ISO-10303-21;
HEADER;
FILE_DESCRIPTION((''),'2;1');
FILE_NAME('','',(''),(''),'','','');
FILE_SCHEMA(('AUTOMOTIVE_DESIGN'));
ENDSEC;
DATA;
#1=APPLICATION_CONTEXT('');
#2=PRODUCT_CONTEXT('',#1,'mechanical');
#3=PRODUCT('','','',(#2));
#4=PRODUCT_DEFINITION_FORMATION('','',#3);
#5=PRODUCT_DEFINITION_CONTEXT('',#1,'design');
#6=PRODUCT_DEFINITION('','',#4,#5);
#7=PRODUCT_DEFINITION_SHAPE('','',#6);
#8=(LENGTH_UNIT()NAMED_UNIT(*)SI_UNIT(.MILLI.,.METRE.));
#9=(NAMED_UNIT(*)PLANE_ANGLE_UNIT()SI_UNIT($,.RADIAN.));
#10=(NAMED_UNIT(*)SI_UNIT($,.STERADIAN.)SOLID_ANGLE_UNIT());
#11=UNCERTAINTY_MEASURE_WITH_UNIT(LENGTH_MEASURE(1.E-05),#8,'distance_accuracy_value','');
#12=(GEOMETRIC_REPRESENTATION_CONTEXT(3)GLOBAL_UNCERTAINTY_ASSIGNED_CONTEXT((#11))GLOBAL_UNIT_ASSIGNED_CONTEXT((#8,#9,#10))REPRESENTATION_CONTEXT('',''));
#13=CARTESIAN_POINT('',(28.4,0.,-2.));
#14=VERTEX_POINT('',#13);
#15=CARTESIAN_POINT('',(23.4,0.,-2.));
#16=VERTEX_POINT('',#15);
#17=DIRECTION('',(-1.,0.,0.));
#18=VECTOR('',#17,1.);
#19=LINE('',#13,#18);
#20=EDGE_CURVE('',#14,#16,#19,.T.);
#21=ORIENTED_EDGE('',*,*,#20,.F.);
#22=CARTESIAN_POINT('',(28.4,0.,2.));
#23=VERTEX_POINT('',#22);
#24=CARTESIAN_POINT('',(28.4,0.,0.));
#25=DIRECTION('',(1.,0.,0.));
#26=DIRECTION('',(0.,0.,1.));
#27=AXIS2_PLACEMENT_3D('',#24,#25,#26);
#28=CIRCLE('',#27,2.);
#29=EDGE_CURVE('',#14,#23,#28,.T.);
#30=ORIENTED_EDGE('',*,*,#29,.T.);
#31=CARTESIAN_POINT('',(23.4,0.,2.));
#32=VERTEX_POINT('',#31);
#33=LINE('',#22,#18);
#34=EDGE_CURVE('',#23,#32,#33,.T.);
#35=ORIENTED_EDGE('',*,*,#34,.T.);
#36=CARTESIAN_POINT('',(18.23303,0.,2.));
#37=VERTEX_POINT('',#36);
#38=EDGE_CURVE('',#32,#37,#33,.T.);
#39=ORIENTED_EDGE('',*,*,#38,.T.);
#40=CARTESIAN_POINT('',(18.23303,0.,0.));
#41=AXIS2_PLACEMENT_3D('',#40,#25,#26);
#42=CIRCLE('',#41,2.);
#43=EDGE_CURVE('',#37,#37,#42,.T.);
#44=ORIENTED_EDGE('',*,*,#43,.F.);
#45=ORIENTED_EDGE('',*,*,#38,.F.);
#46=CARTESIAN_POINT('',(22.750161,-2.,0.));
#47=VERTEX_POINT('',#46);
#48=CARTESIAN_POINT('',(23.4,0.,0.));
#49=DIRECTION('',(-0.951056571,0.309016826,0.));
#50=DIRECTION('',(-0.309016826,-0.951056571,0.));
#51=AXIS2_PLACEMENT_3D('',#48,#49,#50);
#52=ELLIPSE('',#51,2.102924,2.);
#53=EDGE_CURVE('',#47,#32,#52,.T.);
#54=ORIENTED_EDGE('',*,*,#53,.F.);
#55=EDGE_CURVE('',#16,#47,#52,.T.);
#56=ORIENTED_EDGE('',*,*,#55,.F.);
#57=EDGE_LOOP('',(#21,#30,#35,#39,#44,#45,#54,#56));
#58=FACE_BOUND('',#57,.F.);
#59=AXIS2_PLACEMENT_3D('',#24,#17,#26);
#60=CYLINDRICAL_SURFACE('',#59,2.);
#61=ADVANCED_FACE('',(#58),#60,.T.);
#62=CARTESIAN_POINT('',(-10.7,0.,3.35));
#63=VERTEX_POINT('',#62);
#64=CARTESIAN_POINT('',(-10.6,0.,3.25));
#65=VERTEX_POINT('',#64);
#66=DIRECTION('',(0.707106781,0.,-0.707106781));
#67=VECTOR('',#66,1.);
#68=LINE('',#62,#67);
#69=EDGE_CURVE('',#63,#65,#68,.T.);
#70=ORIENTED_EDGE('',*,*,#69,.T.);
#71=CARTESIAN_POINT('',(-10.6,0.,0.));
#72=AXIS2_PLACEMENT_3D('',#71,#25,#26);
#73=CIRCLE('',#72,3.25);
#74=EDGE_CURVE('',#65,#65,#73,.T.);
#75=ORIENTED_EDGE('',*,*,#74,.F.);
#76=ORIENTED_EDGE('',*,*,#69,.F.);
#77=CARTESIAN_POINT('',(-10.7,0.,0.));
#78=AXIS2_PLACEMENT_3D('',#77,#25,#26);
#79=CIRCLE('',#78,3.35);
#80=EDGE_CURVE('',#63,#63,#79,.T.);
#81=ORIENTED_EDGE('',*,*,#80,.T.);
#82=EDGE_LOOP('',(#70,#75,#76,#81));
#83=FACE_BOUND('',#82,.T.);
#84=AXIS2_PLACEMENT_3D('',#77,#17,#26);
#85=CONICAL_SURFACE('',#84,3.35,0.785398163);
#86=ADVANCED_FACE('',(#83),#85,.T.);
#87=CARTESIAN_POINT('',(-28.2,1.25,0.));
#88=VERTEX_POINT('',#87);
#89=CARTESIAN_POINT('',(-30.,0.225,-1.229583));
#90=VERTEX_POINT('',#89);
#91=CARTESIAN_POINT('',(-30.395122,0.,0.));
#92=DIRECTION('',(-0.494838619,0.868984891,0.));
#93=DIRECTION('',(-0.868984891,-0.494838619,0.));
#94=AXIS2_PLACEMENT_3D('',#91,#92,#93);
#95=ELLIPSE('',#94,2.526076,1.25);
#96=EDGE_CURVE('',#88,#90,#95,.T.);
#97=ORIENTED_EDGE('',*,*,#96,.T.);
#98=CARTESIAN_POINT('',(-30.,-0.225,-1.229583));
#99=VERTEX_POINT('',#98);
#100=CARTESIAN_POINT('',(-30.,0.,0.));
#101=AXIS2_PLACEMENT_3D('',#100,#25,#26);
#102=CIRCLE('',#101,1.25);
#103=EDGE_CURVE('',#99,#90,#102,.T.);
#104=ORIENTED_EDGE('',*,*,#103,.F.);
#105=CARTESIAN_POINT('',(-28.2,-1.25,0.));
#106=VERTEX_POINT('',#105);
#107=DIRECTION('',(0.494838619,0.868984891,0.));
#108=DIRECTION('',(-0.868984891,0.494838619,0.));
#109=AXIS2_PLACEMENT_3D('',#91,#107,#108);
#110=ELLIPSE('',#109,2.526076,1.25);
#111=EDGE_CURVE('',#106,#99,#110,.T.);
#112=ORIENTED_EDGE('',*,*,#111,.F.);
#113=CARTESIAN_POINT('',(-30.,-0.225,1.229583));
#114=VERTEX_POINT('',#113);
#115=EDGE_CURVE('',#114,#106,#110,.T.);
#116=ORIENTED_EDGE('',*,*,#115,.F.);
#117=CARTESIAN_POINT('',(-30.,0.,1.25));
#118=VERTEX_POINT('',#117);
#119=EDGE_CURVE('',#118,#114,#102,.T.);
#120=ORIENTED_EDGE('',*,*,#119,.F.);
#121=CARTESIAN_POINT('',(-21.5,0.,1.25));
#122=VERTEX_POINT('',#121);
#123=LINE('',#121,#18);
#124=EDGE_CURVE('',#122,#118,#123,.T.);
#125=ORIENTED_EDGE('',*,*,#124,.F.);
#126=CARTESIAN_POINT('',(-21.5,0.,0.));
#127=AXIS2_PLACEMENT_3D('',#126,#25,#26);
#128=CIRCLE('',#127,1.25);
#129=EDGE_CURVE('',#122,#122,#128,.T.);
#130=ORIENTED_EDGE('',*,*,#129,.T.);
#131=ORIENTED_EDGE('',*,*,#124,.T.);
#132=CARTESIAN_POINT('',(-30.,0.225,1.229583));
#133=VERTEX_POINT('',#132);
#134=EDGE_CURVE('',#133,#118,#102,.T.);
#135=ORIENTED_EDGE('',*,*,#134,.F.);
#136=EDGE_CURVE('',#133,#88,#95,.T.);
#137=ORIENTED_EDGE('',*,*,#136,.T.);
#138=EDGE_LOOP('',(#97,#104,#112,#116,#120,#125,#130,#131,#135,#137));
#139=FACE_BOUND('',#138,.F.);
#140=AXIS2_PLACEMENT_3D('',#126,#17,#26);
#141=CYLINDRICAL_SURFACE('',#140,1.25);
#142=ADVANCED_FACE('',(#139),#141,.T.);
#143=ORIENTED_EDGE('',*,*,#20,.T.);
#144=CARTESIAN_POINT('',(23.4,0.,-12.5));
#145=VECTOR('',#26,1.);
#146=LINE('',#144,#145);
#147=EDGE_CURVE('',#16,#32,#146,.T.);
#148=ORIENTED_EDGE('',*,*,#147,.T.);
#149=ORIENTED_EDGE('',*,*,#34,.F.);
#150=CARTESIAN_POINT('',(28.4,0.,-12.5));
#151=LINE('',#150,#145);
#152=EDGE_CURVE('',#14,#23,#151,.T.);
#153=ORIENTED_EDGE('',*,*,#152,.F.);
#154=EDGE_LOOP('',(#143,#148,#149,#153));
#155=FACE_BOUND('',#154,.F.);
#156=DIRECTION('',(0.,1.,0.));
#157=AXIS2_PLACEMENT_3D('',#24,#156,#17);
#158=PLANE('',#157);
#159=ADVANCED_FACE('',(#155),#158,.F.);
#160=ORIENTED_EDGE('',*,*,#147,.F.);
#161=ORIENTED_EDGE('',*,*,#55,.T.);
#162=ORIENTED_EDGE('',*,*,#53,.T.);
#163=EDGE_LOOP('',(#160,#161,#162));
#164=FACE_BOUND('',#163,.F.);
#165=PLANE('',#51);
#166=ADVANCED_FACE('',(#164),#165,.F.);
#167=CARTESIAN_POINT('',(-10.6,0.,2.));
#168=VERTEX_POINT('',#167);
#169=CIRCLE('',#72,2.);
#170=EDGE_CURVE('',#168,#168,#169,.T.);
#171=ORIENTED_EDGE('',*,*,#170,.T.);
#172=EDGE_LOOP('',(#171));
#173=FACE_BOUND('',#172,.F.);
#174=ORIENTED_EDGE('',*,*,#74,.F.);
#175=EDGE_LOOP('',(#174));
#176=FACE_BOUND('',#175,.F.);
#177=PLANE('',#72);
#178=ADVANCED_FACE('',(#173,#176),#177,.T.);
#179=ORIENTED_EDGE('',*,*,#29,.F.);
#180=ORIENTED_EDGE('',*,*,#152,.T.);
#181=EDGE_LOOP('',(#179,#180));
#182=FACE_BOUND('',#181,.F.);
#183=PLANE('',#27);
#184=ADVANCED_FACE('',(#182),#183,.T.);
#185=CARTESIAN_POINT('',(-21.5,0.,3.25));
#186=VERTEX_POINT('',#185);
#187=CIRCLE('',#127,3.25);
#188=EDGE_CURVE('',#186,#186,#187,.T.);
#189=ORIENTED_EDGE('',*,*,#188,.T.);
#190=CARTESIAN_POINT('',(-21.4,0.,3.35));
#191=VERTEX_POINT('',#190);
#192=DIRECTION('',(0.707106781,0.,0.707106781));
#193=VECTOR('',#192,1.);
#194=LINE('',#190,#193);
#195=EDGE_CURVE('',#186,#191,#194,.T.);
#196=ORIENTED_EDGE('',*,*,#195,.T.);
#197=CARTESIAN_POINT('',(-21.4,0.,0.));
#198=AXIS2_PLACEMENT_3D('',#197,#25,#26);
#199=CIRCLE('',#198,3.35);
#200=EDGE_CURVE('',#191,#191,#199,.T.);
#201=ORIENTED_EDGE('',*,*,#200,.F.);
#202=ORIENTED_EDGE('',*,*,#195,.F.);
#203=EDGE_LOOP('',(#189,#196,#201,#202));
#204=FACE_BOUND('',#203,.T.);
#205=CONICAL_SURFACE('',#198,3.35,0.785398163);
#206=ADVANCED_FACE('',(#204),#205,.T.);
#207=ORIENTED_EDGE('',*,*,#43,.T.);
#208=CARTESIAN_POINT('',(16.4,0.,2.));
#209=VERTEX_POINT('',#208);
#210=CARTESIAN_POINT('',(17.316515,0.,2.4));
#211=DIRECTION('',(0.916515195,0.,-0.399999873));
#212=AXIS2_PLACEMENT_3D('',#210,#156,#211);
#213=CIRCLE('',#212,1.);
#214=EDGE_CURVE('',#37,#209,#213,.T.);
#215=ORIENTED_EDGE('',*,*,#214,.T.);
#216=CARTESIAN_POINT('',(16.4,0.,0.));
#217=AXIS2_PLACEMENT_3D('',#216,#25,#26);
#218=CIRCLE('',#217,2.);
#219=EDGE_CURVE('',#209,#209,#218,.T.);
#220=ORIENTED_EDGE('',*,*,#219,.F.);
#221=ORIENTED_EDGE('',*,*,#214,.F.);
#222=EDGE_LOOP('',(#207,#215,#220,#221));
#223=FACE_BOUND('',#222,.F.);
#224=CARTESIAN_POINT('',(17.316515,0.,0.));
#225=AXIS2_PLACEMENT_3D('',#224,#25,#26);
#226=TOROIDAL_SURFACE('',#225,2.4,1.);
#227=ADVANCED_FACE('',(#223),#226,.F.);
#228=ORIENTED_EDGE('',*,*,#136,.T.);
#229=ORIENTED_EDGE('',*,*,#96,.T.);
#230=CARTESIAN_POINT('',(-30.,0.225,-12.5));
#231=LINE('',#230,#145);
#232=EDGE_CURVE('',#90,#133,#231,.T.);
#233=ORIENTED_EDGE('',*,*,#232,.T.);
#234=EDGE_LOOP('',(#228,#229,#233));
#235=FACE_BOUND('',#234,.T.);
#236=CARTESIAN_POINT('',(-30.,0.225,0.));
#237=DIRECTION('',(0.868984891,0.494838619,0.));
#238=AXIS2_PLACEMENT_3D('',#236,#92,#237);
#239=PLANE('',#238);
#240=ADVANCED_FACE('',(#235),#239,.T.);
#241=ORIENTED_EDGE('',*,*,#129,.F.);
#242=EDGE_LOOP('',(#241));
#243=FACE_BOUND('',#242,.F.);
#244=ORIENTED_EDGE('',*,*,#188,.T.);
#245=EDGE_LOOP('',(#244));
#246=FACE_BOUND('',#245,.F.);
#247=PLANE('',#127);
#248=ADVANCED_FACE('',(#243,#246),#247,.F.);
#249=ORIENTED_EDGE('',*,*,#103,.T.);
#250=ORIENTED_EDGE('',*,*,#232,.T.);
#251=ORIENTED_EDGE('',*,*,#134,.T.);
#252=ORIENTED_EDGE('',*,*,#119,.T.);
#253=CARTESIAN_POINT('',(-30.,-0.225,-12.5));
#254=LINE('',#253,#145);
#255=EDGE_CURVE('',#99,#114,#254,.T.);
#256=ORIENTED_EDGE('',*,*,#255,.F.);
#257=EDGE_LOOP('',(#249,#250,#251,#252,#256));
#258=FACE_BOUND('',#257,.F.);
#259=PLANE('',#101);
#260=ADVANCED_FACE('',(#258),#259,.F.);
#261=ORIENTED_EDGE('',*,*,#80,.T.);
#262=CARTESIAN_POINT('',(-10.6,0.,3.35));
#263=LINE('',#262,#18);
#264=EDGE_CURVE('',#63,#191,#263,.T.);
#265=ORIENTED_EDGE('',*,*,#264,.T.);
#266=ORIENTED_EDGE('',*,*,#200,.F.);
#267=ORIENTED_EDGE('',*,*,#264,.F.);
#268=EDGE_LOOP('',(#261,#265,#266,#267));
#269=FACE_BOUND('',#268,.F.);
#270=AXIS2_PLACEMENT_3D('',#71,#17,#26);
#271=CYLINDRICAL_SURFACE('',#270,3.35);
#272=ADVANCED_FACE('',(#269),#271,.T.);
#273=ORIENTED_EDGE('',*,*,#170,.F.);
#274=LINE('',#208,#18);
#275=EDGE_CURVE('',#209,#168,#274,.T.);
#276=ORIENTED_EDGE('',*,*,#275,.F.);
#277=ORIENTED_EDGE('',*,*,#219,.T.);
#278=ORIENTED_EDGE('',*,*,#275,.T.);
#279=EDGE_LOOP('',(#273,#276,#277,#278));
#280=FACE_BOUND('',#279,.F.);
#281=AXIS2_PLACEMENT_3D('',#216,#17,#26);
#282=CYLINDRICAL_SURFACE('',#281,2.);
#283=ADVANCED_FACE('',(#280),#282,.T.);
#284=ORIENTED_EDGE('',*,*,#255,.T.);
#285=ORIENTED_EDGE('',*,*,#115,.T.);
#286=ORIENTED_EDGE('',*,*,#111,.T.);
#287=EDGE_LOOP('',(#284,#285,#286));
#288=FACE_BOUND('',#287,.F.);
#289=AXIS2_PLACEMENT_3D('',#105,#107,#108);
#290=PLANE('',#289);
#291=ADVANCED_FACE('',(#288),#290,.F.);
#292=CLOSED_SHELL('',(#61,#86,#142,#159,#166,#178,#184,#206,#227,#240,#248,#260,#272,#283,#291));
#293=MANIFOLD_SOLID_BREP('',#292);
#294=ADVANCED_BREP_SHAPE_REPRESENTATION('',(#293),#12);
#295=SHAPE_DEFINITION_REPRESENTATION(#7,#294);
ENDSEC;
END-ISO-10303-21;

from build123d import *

# Parameters (mm, degrees)
F3_DEPTH = 12.5
F5_DEPTH = 12.5
F6_SIZE  = 0.1


with BuildPart() as f1:
    # F0 (on Front) → F1 (revolve)
    with BuildSketch(Plane.XZ):
        with BuildLine():
            Line((-30, 1.25), (-30, 0))
            Line((-30, 0), (28.4, 0))
            Line((28.4, 0), (28.4, 2))
            Line((28.4, 2), (18.23303, 2))
            ThreePointArc((18.23303, 2), (17.316515, 1.4), (16.4, 2))
            Line((16.4, 2), (-10.6, 2))
            Line((-10.6, 2), (-10.6, 3.35))
            Line((-10.6, 3.35), (-21.5, 3.35))
            Line((-21.5, 3.35), (-21.5, 1.25))
            Line((-21.5, 1.25), (-30, 1.25))
        make_face()
    revolve(axis=Axis((0, 0, 0), (1, 0, 0)))

    # F2 (on Top) → F3 (cut, symmetric)
    with BuildSketch(Plane.XY):
        Polygon((28.4, -2), (28.4, 0), (23.4, 0), (22.750161, -2), align=None)
    extrude(amount=F3_DEPTH, both=True, mode=Mode.SUBTRACT)

    # F4 (on Top) → F5 (cut, symmetric)
    with BuildSketch(Plane.XY):
        Polygon((-30, 1.25), (-30, 0.225), (-28.2, 1.25), align=None)
        Polygon((-28.2, -1.25), (-30, -0.225), (-30, -1.25), align=None)
    extrude(amount=F5_DEPTH, both=True, mode=Mode.SUBTRACT)

    # F6
    f6_edges = [f1.edges().sort_by_distance(p)[0] for p in [
        (-10.6, 0, -3.35),
        (-21.5, 0, -3.35),
    ]]
    chamfer(f6_edges, length=F6_SIZE)


solid = f1.part
